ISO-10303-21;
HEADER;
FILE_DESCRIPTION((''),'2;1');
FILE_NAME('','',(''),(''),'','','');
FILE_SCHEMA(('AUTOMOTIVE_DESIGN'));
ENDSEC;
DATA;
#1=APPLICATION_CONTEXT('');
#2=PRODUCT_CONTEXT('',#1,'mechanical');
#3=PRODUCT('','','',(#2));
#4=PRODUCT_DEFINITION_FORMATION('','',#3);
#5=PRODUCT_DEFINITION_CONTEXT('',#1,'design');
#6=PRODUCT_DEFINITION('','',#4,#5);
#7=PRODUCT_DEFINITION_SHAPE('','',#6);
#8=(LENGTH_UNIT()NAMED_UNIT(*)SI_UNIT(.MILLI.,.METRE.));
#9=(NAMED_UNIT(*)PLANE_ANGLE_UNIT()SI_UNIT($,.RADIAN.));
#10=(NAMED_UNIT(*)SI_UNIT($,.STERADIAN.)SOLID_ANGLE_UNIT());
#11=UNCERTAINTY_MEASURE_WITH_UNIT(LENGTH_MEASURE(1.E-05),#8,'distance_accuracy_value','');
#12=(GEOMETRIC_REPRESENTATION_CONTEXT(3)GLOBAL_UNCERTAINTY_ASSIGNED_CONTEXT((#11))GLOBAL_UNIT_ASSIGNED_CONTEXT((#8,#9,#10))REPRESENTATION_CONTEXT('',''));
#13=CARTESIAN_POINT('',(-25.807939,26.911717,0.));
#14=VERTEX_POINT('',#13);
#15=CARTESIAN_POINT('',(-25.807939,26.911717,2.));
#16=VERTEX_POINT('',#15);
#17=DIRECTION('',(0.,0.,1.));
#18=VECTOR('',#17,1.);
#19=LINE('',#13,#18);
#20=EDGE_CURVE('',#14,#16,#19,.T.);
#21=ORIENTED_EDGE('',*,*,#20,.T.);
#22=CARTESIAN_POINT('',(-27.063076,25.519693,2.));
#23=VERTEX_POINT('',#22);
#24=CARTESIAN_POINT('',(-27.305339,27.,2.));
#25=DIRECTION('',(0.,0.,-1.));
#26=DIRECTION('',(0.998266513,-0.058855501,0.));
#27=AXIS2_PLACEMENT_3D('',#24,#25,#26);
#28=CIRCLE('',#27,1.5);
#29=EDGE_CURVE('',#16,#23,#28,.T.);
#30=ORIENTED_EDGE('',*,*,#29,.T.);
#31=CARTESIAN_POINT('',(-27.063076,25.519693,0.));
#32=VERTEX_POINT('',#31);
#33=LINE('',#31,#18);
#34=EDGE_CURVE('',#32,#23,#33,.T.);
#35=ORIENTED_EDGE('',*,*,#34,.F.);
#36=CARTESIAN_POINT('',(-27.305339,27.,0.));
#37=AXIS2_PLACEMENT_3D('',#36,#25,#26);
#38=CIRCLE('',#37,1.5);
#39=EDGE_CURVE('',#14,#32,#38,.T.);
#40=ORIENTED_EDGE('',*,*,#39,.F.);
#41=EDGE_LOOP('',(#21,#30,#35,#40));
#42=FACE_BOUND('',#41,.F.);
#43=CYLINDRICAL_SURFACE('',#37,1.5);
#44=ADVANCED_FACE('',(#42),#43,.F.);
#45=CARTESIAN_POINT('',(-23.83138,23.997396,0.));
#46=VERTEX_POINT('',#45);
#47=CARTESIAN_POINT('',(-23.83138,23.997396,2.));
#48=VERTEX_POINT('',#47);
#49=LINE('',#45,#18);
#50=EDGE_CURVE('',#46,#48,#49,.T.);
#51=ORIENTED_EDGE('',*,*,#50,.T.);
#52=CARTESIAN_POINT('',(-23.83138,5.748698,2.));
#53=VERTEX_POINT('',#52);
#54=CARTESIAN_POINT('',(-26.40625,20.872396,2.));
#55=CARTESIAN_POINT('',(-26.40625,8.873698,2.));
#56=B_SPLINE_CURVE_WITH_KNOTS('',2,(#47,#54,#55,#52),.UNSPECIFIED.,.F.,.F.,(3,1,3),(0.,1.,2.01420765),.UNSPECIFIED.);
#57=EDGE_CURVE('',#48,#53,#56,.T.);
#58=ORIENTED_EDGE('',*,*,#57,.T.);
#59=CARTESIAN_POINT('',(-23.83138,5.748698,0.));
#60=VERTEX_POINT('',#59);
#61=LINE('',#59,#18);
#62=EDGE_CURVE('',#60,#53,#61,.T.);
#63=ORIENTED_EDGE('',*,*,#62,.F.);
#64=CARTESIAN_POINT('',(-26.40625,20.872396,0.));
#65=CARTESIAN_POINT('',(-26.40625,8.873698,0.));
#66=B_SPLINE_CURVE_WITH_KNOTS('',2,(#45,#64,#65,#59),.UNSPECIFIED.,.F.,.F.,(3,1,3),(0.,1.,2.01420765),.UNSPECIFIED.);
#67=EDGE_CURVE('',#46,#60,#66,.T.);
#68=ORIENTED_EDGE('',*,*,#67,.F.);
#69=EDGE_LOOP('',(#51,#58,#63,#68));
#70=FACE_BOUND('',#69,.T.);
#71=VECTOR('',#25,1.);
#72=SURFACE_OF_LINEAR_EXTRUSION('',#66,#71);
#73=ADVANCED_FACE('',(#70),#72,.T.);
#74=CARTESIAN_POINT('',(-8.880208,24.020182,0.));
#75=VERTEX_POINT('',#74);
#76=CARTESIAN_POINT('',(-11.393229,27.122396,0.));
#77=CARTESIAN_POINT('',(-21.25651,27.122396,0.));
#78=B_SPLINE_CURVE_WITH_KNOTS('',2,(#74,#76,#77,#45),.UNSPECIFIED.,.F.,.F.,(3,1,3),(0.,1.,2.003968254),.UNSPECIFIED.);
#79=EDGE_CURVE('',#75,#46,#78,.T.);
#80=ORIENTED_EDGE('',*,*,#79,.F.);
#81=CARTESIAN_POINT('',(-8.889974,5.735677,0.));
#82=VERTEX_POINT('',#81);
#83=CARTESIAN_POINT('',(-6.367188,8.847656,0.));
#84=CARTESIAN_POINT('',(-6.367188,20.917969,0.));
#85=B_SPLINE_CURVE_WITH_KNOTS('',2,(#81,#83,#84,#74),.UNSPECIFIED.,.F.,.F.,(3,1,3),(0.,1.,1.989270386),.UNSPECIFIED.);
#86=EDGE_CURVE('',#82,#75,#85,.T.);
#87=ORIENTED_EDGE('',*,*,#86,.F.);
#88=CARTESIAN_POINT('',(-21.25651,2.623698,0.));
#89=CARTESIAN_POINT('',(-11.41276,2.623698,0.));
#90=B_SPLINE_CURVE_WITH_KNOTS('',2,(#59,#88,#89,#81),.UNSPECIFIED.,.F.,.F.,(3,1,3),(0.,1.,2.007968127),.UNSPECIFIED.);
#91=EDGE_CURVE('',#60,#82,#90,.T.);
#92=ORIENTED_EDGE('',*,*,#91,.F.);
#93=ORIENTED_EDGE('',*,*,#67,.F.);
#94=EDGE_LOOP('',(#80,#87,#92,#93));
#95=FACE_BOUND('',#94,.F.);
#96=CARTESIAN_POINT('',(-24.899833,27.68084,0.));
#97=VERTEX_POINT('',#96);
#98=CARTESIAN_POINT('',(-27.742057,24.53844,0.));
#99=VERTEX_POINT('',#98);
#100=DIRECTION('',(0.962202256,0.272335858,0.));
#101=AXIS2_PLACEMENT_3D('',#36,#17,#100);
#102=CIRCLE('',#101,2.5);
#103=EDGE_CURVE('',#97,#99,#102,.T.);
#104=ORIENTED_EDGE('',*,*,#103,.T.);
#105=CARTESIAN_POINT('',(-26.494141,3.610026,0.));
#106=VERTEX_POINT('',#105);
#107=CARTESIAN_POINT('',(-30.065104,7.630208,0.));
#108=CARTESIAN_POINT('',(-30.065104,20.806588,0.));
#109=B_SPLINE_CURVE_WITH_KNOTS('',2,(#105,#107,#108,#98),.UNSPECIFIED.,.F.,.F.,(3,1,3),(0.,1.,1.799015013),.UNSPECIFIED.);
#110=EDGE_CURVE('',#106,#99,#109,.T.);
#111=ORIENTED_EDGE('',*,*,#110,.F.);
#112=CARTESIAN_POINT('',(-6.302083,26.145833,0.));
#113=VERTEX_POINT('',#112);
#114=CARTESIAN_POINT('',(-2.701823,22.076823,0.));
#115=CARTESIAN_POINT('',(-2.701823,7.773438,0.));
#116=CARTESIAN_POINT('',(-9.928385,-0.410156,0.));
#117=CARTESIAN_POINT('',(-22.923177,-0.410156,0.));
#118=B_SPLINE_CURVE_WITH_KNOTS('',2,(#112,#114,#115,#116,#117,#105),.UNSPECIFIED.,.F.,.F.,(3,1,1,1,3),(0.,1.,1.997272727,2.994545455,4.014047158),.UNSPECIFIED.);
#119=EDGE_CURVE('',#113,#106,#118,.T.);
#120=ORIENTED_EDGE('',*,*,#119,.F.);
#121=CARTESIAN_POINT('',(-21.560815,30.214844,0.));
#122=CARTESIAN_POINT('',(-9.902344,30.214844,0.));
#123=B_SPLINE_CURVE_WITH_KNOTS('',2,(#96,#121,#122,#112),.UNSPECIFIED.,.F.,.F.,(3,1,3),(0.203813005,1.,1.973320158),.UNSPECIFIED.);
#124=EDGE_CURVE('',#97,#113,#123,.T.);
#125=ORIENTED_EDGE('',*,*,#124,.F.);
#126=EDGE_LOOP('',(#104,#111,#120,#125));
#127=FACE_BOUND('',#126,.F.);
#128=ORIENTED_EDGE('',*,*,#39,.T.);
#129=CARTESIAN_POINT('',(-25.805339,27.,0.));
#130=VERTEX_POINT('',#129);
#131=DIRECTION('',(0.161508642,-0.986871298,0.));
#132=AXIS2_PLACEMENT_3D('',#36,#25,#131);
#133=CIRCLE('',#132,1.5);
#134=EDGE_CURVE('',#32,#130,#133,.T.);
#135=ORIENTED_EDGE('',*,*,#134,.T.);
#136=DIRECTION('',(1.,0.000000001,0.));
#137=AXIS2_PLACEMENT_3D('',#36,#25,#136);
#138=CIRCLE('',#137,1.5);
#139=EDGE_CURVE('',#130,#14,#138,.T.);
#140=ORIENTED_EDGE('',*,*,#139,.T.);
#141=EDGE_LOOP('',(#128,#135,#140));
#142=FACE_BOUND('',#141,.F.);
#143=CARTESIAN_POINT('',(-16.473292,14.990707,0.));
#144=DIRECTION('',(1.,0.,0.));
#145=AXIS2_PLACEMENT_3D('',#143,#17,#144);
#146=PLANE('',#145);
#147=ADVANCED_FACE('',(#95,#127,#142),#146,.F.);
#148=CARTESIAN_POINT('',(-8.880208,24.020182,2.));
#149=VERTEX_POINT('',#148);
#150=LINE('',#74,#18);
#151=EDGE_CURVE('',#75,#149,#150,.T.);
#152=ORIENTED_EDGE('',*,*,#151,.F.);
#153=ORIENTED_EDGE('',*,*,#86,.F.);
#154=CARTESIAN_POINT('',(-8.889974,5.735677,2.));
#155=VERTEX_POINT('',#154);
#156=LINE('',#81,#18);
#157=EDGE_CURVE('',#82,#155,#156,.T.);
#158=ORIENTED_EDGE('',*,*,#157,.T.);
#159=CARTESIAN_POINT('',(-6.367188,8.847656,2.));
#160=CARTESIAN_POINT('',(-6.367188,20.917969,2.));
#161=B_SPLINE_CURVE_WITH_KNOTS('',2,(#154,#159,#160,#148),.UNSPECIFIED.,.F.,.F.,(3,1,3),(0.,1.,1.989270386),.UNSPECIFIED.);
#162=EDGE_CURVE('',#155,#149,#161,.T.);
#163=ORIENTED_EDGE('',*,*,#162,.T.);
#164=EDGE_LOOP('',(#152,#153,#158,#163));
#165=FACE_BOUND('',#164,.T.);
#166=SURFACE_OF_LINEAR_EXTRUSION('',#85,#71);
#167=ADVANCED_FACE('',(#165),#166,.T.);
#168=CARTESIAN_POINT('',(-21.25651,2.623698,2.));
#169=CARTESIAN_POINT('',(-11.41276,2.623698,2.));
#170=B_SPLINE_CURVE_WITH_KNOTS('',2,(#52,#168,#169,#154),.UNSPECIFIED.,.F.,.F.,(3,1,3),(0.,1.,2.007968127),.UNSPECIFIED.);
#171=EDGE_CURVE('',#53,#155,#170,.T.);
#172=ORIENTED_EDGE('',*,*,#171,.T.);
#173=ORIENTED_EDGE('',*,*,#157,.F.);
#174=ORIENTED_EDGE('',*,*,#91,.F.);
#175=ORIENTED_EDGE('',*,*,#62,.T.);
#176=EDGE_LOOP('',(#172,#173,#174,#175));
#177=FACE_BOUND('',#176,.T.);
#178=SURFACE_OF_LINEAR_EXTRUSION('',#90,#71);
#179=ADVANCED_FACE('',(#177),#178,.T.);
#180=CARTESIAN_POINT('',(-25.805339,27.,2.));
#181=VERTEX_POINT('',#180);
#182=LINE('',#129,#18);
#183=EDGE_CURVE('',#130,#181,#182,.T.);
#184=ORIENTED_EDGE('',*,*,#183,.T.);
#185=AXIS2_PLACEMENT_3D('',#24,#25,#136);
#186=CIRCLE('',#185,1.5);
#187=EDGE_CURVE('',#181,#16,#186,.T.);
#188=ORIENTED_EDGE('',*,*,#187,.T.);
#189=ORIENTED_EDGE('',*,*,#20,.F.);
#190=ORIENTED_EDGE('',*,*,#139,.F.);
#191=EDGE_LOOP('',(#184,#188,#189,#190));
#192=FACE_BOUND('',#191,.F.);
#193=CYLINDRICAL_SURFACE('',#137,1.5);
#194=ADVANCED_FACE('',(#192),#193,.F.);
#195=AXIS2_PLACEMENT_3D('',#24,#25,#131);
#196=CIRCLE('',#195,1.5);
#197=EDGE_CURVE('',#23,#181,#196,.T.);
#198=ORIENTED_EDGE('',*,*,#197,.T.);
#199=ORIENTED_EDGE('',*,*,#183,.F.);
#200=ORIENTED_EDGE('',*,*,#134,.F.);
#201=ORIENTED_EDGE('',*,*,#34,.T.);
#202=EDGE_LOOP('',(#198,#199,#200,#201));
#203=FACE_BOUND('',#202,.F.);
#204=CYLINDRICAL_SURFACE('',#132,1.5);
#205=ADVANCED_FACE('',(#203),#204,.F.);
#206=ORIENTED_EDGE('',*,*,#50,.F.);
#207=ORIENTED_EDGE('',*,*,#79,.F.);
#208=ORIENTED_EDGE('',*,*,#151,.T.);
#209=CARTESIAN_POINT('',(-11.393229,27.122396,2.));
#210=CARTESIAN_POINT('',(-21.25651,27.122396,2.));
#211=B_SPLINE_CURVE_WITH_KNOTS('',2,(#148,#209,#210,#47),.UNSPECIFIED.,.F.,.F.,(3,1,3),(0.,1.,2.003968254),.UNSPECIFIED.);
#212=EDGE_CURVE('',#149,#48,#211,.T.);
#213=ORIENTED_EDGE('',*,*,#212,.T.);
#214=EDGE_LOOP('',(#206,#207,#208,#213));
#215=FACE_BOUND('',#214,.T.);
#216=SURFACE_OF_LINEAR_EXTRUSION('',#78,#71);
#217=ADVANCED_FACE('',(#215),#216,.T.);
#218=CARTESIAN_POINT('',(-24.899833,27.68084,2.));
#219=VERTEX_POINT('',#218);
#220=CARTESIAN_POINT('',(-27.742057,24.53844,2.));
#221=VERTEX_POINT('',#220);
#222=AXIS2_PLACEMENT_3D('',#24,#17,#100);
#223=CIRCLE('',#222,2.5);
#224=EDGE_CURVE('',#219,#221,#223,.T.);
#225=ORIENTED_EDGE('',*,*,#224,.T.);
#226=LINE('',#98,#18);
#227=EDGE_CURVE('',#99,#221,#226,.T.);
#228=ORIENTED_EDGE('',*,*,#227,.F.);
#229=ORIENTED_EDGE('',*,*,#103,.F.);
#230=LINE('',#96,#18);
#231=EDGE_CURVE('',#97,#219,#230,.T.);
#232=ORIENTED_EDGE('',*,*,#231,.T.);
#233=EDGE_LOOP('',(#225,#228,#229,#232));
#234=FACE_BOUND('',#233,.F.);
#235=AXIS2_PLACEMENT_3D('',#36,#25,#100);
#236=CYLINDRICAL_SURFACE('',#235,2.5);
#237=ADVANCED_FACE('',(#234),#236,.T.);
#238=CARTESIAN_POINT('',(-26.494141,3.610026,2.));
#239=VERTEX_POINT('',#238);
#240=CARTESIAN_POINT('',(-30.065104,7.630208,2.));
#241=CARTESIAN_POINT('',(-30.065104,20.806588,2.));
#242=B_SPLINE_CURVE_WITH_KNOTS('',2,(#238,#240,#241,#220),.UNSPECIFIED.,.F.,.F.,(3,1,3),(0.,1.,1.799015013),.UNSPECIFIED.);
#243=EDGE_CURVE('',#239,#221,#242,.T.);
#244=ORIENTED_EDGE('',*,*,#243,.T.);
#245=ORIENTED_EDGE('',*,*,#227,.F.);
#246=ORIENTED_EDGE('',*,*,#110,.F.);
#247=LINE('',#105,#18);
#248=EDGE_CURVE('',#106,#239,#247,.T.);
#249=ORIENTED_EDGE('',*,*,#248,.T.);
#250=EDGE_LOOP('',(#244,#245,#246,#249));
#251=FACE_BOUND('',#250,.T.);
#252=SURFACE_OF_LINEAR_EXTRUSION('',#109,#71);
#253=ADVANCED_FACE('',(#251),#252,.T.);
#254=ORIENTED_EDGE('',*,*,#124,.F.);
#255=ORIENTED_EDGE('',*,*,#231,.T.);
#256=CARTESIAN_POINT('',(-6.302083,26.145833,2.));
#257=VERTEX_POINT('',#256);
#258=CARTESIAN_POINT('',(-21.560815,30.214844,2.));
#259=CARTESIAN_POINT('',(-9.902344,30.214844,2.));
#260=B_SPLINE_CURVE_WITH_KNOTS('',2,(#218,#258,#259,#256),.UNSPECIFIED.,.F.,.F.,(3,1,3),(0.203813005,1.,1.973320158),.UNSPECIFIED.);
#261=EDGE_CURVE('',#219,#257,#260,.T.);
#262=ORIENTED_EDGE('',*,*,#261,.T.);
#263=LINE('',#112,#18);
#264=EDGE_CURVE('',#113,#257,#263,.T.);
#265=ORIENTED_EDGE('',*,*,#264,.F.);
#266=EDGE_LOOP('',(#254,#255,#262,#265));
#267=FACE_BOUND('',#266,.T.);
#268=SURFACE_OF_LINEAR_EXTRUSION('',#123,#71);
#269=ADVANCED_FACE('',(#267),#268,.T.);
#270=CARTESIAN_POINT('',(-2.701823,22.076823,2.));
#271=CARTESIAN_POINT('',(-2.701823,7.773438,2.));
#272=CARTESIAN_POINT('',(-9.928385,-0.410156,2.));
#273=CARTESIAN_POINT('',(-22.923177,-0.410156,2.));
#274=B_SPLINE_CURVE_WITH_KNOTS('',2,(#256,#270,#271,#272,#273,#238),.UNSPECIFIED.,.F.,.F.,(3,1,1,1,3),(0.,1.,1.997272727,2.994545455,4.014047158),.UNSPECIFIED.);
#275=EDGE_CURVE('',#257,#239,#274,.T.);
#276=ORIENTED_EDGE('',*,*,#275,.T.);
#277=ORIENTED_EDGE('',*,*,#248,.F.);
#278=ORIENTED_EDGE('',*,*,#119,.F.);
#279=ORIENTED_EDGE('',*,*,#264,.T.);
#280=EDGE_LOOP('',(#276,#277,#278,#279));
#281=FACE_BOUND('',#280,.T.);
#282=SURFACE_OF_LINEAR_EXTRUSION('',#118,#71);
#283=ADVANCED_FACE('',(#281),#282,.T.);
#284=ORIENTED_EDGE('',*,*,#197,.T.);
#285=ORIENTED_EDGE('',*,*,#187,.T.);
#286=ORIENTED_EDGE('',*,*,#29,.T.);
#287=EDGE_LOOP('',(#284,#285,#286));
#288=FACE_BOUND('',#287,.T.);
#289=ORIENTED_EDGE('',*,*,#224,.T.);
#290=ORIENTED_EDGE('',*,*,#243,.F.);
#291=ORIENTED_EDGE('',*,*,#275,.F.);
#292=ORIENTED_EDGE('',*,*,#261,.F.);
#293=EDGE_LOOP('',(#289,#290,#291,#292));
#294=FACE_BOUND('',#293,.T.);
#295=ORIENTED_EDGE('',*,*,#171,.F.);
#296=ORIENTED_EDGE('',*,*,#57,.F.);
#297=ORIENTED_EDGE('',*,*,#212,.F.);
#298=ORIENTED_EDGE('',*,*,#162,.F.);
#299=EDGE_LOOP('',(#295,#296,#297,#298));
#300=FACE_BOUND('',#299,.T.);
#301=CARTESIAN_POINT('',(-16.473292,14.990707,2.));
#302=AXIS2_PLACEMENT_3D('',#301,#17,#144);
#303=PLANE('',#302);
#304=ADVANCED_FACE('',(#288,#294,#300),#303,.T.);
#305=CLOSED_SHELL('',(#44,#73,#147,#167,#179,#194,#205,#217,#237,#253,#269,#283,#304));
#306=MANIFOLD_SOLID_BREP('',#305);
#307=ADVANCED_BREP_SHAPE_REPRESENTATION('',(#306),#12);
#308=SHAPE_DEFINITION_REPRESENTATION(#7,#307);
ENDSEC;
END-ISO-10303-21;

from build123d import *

# Parameters (mm, degrees)
F1_DEPTH = 2


with BuildPart() as f1:
    # F0 (on Top) → F1 (new body)
    with BuildSketch(Plane.XY):
        with BuildLine():
            ThreePointArc((-24.8998329028, 27.6808396444), (-24.8290748141, 27.3436829228), (-24.8053385417, 27))
            ThreePointArc((-24.8053385417, 27), (-25.6993803239, 25.0840411792), (-27.742057104, 24.5384401496))
            add(Edge.make_bspline(
                [(-30.0651041667, 14.9544270833), (-30.0651041667, 20.8065878214), (-27.742057104, 24.5384401496)],
                knots=[0, 0, 0, 0.8054586822, 0.8054586822, 0.8054586822], degree=2))
            add(Edge.make_bspline(
                [(-26.494140625, 3.6100260417), (-30.0651041667, 7.6302083333), (-30.0651041667, 14.9544270833)],
                knots=[0, 0, 0, 1, 1, 1], degree=2))
            add(Edge.make_bspline(
                [(-16.3541666667, -0.41015625), (-22.9231770833, -0.41015625), (-26.494140625, 3.6100260417)],
                knots=[0, 0, 0, 1, 1, 1], degree=2))
            add(Edge.make_bspline(
                [(-6.3151041667, 3.681640625), (-9.9283854167, -0.41015625), (-16.3541666667, -0.41015625)],
                knots=[0, 0, 0, 1, 1, 1], degree=2))
            add(Edge.make_bspline(
                [(-2.7018229167, 14.9153645833), (-2.7018229167, 7.7734375), (-6.3151041667, 3.681640625)],
                knots=[0, 0, 0, 1, 1, 1], degree=2))
            add(Edge.make_bspline(
                [(-6.3020833333, 26.1458333333), (-2.7018229167, 22.0768229167), (-2.7018229167, 14.9153645833)],
                knots=[0, 0, 0, 1, 1, 1], degree=2))
            add(Edge.make_bspline(
                [(-16.3151041667, 30.21484375), (-9.90234375, 30.21484375), (-6.3020833333, 26.1458333333)],
                knots=[0, 0, 0, 1, 1, 1], degree=2))
            add(Edge.make_bspline(
                [(-24.8998329028, 27.6808396444), (-21.5608153562, 30.21484375), (-16.3151041667, 30.21484375)],
                knots=[0.2038130052, 0.2038130052, 0.2038130052, 1, 1, 1], degree=2))
        make_face()
        with BuildLine():
            add(Edge.make_bspline(
                [(-26.40625, 14.9153645833), (-26.40625, 8.8736979167), (-23.8313802083, 5.7486979167)],
                knots=[0, 0, 0, 1, 1, 1], degree=2))
            add(Edge.make_bspline(
                [(-23.8313802083, 23.9973958333), (-26.40625, 20.8723958333), (-26.40625, 14.9153645833)],
                knots=[0, 0, 0, 1, 1, 1], degree=2))
            add(Edge.make_bspline(
                [(-16.3151041667, 27.1223958333), (-21.2565104167, 27.1223958333), (-23.8313802083, 23.9973958333)],
                knots=[0, 0, 0, 1, 1, 1], degree=2))
            add(Edge.make_bspline(
                [(-8.8802083333, 24.0201822917), (-11.3932291667, 27.1223958333), (-16.3151041667, 27.1223958333)],
                knots=[0, 0, 0, 1, 1, 1], degree=2))
            add(Edge.make_bspline(
                [(-6.3671875, 14.9153645833), (-6.3671875, 20.91796875), (-8.8802083333, 24.0201822917)],
                knots=[0, 0, 0, 1, 1, 1], degree=2))
            add(Edge.make_bspline(
                [(-8.8899739583, 5.7356770833), (-6.3671875, 8.84765625), (-6.3671875, 14.9153645833)],
                knots=[0, 0, 0, 1, 1, 1], degree=2))
            add(Edge.make_bspline(
                [(-16.3541666667, 2.6236979167), (-11.4127604167, 2.6236979167), (-8.8899739583, 5.7356770833)],
                knots=[0, 0, 0, 1, 1, 1], degree=2))
            add(Edge.make_bspline(
                [(-23.8313802083, 5.7486979167), (-21.2565104167, 2.6236979167), (-16.3541666667, 2.6236979167)],
                knots=[0, 0, 0, 1, 1, 1], degree=2))
        make_face(mode=Mode.SUBTRACT)
        with BuildLine():
            add(Edge.make_bspline(
                [(-25.8079387729, 26.9117167489), (-25.3730329403, 27.3217247787), (-24.8998329028, 27.6808396444)],
                knots=[0.0909787028, 0.0909787028, 0.0909787028, 0.2038130052, 0.2038130052, 0.2038130052], degree=2))
            ThreePointArc((-24.8998329028, 27.6808396444), (-29.1594419057, 28.6769915669), (-27.742057104, 24.5384401496))
            add(Edge.make_bspline(
                [(-27.742057104, 24.5384401496), (-27.4242986655, 25.0489022867), (-27.0630755781, 25.5196930533)],
                knots=[0.8054586822, 0.8054586822, 0.8054586822, 0.9156335027, 0.9156335027, 0.9156335027], degree=2))
            ThreePointArc((-27.0630755781, 25.5196930533), (-28.4484471204, 27.9712377553), (-25.8053385417, 27))
            ThreePointArc((-25.8053385417, 27), (-25.8059887404, 26.9558392323), (-25.8079387729, 26.9117167489))
        make_face()
        with BuildLine():
            ThreePointArc((-27.742057104, 24.5384401496), (-25.6993803239, 25.0840411792), (-24.8053385417, 27))
            ThreePointArc((-24.8053385417, 27), (-24.8290748141, 27.3436829228), (-24.8998329028, 27.6808396444))
            add(Edge.make_bspline(
                [(-25.8079387729, 26.9117167489), (-25.3730329403, 27.3217247787), (-24.8998329028, 27.6808396444)],
                knots=[0.0909787028, 0.0909787028, 0.0909787028, 0.2038130052, 0.2038130052, 0.2038130052], degree=2))
            ThreePointArc((-25.8079387729, 26.9117167489), (-26.1913191981, 25.9955295415), (-27.0630755781, 25.5196930533))
            add(Edge.make_bspline(
                [(-27.742057104, 24.5384401496), (-27.4242986655, 25.0489022867), (-27.0630755781, 25.5196930533)],
                knots=[0.8054586822, 0.8054586822, 0.8054586822, 0.9156335027, 0.9156335027, 0.9156335027], degree=2))
        make_face()
    extrude(amount=F1_DEPTH)


solid = f1.part
